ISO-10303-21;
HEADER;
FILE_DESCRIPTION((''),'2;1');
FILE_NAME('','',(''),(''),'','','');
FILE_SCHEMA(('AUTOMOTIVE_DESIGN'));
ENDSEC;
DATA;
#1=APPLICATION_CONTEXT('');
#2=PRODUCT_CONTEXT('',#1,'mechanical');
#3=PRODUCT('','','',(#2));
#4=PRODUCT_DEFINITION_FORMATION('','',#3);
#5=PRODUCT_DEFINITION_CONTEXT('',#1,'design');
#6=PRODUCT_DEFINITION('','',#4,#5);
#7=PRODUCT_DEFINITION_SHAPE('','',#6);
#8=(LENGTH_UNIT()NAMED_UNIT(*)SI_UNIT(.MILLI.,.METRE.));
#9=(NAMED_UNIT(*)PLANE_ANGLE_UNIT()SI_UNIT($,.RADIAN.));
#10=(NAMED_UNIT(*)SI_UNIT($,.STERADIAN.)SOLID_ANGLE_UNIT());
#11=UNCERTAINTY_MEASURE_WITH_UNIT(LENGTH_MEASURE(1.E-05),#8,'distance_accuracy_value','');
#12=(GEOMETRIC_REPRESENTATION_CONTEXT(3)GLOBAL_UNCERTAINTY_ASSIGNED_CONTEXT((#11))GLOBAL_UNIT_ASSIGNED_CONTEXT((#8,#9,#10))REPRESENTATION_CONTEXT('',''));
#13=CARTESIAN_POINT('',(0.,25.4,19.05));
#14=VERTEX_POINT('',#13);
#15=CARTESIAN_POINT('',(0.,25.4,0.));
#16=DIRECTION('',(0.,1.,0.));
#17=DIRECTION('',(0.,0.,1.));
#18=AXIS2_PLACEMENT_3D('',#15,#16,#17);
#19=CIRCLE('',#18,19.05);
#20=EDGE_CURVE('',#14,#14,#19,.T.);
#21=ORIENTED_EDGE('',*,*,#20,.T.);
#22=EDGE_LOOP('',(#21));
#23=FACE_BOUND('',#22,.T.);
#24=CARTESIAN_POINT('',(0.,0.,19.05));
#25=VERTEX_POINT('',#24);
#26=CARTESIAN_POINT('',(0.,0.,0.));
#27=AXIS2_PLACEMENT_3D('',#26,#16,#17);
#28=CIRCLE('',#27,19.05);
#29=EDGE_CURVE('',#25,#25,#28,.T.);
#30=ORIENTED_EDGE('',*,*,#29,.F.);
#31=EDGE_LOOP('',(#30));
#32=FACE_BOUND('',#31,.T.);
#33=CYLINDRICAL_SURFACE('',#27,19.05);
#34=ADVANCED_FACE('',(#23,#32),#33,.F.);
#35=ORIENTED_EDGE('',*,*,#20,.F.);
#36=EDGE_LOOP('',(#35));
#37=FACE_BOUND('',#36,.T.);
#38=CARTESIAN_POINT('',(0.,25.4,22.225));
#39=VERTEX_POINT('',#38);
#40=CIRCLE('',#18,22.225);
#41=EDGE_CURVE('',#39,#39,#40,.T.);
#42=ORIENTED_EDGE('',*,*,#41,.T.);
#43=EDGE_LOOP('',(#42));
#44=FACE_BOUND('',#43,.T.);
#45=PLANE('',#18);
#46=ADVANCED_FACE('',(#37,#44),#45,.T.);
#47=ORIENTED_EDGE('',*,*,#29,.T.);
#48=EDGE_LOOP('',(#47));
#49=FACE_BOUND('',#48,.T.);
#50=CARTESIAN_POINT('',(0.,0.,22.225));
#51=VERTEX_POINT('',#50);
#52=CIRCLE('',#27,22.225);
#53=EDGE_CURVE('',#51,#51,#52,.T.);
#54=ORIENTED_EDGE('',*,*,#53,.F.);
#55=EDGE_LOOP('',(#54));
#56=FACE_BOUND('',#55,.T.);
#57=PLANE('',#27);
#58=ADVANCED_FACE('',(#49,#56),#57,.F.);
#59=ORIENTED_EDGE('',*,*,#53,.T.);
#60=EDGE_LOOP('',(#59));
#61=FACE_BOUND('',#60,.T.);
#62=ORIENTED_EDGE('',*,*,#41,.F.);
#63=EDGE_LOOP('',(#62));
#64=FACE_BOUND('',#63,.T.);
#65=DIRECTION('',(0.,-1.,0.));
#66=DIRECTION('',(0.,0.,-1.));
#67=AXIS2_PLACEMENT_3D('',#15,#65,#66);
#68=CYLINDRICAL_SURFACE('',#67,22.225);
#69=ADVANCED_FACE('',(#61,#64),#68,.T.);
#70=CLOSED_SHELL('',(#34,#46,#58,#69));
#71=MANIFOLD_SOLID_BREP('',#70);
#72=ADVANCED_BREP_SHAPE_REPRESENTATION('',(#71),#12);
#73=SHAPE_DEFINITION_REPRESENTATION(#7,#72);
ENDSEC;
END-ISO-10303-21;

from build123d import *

# Parameters (mm, degrees)
SKETCH1_R           = 22.225
BOSS_EXTRUDE1_DEPTH = 25.4
SKETCH4_R           = 19.05
CUT_EXTRUDE1_DEPTH  = 41.411152545


with BuildPart() as part:
    # Sketch1 → Boss-Extrude1 (new body)
    with BuildSketch(Plane(origin=(0, 0, 0), x_dir=(1, 0, 0), z_dir=(0, 1, 0))):
        with Locations(Location((0, 0, 0), (0, 0, 270))):
            Circle(SKETCH1_R)
    extrude(amount=BOSS_EXTRUDE1_DEPTH)

    # Sketch4 → Cut-Extrude1 (cut, through all)
    with BuildSketch(Plane(origin=(0, 25.4, 0), x_dir=(1, 0, 0), z_dir=(0, 1, 0))):
        with Locations(Location((0, 0, 0), (0, 0, 270))):
            Circle(SKETCH4_R)
    extrude(amount=-CUT_EXTRUDE1_DEPTH, mode=Mode.SUBTRACT)


solid = part.part
